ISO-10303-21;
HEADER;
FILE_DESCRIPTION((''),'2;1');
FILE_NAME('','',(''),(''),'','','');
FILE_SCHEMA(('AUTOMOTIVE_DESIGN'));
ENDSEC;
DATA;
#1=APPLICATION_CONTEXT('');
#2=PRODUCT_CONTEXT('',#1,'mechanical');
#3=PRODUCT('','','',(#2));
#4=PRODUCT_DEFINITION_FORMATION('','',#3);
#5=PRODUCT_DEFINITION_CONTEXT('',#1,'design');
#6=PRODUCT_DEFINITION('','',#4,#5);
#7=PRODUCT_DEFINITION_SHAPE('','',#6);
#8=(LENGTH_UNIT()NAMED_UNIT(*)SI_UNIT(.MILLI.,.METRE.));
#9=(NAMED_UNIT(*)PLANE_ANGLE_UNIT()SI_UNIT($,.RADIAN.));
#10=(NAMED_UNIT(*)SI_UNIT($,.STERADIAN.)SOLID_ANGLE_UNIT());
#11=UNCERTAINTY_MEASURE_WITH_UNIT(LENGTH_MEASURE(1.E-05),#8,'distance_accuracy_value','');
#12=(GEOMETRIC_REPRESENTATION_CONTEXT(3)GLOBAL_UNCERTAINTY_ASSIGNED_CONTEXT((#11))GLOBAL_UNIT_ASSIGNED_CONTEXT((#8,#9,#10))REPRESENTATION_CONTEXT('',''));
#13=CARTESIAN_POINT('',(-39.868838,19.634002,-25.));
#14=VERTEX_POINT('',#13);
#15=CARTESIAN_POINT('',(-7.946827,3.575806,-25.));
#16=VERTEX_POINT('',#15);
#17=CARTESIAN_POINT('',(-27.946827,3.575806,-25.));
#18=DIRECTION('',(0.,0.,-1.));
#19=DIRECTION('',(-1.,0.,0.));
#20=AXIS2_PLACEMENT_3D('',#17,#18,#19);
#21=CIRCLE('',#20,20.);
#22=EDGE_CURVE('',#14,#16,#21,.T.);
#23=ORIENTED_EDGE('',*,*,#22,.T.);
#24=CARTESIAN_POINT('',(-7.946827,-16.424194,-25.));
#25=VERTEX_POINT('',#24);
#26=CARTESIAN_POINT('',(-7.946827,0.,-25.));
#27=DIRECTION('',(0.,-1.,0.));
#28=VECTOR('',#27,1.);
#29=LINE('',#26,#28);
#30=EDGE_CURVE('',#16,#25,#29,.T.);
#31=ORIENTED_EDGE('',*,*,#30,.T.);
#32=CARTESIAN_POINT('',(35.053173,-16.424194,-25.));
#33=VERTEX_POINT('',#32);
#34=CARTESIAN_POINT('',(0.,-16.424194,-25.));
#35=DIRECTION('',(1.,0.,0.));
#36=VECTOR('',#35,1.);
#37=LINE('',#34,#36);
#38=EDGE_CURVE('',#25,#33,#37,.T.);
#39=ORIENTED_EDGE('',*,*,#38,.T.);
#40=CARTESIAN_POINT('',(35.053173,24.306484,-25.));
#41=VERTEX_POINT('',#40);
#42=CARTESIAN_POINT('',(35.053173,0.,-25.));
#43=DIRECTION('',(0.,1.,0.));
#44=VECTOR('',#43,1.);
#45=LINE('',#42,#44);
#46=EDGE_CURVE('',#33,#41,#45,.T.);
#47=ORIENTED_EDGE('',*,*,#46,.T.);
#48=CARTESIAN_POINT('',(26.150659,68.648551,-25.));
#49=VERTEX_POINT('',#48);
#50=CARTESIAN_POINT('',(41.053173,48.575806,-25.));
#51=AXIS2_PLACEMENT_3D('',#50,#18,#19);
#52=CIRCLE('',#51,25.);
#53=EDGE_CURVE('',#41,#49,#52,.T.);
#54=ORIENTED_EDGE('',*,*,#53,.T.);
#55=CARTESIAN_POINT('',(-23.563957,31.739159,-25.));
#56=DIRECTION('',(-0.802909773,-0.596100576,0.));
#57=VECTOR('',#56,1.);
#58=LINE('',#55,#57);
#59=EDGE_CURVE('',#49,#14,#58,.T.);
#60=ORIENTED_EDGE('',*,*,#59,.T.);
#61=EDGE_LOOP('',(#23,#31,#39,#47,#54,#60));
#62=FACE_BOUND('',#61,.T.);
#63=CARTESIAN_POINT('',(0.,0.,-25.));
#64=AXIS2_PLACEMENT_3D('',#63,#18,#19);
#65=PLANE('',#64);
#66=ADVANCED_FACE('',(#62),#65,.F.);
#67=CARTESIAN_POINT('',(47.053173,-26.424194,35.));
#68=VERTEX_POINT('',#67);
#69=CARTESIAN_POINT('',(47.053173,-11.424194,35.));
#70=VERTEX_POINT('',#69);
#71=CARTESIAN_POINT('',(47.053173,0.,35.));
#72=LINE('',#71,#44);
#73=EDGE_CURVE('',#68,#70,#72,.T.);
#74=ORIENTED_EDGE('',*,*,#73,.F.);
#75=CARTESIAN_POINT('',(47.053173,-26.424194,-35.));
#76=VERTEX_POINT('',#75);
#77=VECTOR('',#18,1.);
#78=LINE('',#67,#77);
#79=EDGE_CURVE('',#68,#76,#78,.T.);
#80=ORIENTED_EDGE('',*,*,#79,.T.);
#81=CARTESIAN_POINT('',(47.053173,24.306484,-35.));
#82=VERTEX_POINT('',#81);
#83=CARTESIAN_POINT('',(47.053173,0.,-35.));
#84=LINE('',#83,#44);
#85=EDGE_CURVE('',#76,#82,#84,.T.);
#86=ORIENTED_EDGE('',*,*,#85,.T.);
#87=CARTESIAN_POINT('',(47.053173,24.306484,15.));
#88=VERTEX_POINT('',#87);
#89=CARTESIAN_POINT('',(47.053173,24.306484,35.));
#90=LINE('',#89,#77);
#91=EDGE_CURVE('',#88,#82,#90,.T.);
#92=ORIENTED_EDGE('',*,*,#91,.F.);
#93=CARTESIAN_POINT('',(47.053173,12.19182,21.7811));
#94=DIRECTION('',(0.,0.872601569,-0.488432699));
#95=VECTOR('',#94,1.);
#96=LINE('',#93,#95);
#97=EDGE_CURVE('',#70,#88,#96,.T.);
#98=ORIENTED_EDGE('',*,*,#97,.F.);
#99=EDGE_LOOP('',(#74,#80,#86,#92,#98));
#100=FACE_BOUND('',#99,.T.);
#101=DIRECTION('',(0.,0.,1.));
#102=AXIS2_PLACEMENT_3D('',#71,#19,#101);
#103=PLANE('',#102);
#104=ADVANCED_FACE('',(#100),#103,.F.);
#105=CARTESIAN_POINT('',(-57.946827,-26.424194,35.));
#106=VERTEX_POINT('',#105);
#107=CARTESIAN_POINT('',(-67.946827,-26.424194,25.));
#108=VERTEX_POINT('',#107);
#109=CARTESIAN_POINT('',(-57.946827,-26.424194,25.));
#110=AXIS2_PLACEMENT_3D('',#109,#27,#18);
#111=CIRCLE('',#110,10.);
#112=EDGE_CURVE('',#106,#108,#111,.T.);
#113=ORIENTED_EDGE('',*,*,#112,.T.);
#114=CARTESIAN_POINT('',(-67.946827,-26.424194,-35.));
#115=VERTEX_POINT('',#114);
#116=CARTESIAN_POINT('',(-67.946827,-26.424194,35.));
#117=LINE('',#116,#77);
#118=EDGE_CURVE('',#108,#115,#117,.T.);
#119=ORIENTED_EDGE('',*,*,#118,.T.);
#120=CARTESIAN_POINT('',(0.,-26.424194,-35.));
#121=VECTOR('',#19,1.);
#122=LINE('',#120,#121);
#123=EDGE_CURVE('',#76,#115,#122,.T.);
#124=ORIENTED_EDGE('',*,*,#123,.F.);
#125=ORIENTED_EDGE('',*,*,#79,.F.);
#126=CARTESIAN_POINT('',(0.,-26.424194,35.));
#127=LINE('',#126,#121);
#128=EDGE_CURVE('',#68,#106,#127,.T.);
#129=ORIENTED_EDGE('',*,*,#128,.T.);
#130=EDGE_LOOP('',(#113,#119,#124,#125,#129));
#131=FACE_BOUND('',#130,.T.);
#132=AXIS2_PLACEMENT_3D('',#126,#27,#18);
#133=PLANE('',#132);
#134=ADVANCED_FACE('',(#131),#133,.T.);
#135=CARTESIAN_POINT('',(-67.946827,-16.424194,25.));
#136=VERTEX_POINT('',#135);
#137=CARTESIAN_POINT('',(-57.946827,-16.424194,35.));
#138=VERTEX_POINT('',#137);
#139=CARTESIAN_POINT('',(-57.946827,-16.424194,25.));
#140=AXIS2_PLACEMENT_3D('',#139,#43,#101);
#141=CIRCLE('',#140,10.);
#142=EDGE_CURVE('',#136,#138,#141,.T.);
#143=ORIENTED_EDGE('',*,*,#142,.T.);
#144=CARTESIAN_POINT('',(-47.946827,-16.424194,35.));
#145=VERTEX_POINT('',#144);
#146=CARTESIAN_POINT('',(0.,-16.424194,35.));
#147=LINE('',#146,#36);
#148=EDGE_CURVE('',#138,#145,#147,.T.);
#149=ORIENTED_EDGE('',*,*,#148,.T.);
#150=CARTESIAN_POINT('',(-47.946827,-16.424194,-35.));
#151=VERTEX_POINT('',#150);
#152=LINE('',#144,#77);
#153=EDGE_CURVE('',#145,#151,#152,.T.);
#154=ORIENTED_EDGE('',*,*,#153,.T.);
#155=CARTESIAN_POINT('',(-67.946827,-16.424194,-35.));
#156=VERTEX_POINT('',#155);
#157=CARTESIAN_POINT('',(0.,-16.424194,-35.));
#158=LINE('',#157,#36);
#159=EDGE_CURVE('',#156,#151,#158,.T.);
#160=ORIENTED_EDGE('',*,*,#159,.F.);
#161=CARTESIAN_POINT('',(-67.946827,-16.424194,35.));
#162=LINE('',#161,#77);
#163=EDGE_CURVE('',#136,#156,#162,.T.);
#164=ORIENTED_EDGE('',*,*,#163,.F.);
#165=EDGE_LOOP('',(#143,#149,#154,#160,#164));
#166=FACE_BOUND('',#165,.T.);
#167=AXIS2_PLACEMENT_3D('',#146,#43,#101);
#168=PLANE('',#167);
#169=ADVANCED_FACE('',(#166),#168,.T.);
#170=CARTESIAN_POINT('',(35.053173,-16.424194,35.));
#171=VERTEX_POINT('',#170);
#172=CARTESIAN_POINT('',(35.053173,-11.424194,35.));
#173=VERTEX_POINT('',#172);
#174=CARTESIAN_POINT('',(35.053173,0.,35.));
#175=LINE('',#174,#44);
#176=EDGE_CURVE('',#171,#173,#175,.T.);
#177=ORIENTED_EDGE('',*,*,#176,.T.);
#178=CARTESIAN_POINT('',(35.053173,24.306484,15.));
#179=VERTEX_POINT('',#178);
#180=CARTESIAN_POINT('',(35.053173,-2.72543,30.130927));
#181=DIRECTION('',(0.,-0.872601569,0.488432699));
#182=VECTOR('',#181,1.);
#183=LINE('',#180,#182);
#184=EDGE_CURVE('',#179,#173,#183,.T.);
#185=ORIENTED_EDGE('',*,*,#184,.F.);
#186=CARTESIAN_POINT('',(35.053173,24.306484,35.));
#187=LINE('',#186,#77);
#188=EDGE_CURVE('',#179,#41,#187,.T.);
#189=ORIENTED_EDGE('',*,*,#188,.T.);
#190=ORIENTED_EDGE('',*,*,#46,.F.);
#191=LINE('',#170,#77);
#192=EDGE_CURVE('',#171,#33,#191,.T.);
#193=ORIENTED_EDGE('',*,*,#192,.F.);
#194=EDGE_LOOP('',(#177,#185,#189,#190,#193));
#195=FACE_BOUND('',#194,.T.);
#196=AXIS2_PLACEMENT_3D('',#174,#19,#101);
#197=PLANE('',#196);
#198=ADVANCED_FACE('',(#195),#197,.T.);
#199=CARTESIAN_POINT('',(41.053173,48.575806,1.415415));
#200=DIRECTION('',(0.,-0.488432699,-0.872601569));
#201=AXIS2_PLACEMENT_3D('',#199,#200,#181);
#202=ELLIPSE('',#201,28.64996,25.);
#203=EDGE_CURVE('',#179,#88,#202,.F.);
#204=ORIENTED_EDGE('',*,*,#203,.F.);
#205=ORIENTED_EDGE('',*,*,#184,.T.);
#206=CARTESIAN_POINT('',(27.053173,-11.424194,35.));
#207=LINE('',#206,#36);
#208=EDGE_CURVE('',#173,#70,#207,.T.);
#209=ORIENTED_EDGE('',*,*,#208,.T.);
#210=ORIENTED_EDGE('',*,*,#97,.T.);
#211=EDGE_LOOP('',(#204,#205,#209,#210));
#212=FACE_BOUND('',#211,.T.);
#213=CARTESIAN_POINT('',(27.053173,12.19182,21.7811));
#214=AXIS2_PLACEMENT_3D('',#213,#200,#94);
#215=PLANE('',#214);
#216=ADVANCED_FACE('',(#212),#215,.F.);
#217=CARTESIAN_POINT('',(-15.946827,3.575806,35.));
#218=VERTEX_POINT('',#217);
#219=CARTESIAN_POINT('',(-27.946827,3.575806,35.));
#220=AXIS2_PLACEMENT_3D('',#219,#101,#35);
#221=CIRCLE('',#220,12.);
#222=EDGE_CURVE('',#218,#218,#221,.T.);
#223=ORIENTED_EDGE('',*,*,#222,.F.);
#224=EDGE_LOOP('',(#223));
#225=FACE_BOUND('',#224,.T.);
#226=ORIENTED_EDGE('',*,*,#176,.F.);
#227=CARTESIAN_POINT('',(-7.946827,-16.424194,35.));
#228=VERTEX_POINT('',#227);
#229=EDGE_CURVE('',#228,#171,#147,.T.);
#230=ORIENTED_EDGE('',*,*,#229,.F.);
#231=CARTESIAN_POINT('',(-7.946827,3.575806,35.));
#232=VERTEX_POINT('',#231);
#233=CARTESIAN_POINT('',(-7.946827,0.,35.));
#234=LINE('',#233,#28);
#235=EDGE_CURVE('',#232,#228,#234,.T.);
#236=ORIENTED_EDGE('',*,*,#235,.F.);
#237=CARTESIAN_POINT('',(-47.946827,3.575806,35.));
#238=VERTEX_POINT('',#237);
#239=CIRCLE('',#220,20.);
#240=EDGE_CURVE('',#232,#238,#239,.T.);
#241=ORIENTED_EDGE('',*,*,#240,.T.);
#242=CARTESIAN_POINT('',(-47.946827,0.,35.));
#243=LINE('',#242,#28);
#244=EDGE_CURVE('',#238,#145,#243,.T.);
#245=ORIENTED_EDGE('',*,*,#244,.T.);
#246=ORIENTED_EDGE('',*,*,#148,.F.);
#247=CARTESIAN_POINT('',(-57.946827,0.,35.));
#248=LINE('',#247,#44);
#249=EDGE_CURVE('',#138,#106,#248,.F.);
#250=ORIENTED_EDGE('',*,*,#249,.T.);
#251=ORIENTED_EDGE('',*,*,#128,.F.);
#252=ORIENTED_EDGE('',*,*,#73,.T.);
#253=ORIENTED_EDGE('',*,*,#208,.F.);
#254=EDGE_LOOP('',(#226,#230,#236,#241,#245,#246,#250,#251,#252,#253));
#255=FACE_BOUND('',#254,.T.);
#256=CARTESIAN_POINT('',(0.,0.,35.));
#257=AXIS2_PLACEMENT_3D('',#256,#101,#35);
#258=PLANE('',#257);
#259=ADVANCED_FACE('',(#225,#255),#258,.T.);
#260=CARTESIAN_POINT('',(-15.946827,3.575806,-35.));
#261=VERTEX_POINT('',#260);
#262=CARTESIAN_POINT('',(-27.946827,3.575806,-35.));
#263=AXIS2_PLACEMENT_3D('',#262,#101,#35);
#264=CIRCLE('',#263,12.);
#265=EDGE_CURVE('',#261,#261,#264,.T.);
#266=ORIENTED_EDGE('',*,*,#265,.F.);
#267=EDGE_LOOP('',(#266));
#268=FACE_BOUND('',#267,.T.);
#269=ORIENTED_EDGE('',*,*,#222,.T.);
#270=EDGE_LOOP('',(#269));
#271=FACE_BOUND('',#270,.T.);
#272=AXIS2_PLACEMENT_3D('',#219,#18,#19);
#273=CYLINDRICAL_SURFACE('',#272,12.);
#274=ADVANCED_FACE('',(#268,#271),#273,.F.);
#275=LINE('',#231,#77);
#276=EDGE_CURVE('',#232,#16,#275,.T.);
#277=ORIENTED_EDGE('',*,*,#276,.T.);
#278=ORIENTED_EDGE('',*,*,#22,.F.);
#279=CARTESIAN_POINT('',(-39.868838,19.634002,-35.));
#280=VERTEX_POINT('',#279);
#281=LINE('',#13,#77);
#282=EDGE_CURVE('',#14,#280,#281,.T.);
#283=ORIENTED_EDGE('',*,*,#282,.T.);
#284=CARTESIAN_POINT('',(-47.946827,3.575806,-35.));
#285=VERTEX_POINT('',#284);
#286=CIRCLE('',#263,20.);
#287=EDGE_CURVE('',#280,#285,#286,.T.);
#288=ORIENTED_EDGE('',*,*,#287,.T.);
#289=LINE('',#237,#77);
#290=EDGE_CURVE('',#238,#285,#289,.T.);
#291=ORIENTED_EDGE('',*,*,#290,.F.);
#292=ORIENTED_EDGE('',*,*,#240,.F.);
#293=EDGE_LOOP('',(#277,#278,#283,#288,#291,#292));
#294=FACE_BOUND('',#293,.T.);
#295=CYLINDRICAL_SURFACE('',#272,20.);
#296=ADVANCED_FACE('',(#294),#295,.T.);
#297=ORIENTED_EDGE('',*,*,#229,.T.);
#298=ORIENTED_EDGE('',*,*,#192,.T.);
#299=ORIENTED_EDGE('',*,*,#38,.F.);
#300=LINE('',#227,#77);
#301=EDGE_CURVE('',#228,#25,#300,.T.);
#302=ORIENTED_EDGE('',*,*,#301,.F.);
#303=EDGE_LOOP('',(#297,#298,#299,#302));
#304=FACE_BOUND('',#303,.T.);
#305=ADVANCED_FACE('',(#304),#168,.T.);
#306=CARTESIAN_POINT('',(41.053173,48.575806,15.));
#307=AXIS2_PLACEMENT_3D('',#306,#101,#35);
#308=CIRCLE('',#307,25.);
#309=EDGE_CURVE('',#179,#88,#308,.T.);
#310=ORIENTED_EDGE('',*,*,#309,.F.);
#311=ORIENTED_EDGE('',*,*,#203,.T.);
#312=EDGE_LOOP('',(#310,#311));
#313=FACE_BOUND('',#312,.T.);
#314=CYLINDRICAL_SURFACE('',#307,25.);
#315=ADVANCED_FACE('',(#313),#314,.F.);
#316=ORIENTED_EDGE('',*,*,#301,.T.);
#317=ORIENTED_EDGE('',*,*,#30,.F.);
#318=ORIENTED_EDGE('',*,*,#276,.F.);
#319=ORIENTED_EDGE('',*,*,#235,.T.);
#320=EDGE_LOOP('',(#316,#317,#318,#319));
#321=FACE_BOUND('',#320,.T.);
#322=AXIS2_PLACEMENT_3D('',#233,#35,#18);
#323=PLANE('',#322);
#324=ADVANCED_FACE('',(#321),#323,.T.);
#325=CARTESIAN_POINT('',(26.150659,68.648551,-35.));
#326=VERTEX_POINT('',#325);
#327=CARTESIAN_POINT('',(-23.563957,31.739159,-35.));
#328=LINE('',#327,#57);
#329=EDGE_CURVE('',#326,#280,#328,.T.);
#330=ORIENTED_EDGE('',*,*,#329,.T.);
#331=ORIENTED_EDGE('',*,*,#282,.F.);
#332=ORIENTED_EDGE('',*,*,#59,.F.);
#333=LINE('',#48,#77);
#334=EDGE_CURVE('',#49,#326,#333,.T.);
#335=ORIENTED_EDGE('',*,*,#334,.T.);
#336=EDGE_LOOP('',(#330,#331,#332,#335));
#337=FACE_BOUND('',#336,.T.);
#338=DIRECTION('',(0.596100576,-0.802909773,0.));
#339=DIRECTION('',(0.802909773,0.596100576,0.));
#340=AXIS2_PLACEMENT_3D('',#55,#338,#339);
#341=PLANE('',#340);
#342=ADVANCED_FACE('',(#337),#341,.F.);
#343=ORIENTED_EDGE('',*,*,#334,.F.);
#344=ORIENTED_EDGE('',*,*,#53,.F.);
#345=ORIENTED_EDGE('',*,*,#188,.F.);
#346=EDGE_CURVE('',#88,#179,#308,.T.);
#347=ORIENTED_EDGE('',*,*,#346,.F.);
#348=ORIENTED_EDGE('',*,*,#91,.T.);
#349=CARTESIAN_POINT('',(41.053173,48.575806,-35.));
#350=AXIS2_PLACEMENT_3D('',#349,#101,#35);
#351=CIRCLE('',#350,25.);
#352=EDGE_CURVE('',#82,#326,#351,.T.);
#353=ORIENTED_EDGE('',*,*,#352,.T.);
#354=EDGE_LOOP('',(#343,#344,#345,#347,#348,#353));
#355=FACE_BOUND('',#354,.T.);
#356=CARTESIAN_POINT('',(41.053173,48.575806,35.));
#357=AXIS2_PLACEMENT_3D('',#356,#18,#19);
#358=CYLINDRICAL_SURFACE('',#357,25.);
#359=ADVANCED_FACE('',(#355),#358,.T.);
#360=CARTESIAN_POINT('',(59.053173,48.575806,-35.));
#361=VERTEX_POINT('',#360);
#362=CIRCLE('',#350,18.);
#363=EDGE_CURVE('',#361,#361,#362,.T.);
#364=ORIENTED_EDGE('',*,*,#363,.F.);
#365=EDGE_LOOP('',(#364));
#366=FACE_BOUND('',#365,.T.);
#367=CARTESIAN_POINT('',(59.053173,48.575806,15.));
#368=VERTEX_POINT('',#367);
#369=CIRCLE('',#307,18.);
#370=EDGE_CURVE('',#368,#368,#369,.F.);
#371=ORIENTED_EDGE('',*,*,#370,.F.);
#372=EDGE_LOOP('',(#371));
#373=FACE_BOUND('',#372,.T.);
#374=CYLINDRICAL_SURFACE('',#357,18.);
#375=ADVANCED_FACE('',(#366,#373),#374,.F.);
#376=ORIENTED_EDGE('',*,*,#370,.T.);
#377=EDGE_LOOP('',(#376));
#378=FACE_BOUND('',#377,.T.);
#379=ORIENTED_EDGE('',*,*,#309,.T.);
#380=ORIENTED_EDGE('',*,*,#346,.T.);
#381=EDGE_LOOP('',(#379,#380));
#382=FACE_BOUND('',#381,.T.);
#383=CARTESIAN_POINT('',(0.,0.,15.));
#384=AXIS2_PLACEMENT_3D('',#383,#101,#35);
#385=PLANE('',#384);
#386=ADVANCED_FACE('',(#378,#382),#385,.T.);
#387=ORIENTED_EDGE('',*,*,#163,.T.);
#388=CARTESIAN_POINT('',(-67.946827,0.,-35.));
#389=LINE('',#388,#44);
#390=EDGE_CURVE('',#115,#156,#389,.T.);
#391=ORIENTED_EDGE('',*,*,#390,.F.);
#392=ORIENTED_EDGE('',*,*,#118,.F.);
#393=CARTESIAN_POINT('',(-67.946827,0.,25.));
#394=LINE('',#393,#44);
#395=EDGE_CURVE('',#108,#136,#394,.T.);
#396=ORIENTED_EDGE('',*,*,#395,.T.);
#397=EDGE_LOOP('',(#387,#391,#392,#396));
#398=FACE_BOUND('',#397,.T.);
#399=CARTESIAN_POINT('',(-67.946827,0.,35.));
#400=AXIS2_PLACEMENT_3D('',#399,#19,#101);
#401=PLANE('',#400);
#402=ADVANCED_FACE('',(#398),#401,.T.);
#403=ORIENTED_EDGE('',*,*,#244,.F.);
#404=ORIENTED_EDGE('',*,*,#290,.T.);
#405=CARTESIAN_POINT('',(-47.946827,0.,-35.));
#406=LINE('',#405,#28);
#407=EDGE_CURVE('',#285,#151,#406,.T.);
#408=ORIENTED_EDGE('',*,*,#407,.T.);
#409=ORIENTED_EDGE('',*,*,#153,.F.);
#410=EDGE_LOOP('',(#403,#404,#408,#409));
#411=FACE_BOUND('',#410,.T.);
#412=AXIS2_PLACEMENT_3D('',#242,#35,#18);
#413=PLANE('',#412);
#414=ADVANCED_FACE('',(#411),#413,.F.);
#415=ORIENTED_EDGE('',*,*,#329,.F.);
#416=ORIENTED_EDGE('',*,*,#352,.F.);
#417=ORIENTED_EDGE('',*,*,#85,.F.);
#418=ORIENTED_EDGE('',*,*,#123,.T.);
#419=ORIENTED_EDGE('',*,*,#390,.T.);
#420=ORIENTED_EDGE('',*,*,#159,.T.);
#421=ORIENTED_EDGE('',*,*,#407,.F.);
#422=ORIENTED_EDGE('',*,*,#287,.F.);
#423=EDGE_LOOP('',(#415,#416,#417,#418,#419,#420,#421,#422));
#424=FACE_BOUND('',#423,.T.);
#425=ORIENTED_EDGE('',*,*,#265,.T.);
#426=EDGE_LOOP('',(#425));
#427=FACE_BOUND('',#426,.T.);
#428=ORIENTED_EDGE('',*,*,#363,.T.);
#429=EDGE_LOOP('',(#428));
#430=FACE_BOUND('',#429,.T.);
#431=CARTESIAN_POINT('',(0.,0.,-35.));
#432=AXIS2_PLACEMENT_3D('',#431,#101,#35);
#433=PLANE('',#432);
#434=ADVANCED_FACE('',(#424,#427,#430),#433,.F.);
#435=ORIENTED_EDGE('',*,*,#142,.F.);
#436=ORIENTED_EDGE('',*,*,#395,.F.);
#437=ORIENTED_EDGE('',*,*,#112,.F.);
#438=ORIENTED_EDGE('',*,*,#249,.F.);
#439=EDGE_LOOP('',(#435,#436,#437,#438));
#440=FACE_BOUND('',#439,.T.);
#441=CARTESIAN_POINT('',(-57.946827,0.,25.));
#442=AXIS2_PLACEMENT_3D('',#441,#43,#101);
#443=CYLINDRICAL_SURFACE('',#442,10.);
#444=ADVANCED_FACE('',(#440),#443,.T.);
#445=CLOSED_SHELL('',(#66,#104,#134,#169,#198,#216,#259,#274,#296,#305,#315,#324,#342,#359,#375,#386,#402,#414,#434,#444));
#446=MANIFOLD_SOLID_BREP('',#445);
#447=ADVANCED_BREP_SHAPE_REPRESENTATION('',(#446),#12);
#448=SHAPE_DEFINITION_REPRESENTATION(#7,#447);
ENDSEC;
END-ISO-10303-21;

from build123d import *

# Parameters (mm, degrees)
SKETCH2_R           = 12
SKETCH2_R_2         = 18
BOSS_EXTRUDE2_DEPTH = 35
BOSS_EXTRUDE5_START = 10
BOSS_EXTRUDE5_DEPTH = 10
FILLET2_R           = 10
SKETCH4_R           = 18
CUT_EXTRUDE1_DEPTH  = 20
CUT_EXTRUDE4_DEPTH  = 20


with BuildPart() as part:
    # Sketch2 → Boss-Extrude2 (new, symmetric)
    with BuildSketch(Plane.XY):
        with BuildLine():
            Line((47.053173242, -26.424193548), (47.053173242, 24.306484253))
            ThreePointArc((47.053173242, 24.306484253), (41.053173242, 73.575806452), (35.053173242, 24.306484253))
            Line((35.053173242, 24.306484253), (35.053173242, -16.424193548))
            Line((35.053173242, -16.424193548), (-7.946826758, -16.424193548))
            Line((-7.946826758, -16.424193548), (-7.946826758, 3.575806452))
            ThreePointArc((-7.946826758, 3.575806452), (-27.946826758, 23.575806452), (-47.946826758, 3.575806452))
            Line((-47.946826758, 3.575806452), (-47.946826758, -16.424193548))
            Line((-47.946826758, -16.424193548), (-67.946826758, -16.424193548))
            Line((-67.946826758, -16.424193548), (-67.946826758, -26.424193548))
            Line((-67.946826758, -26.424193548), (47.053173242, -26.424193548))
        make_face()
        with Locations((-27.946826758, 3.575806452)):
            Circle(SKETCH2_R, mode=Mode.SUBTRACT)
        with Locations((41.053173242, 48.575806452)):
            Circle(SKETCH2_R_2, mode=Mode.SUBTRACT)
    extrude(amount=BOSS_EXTRUDE2_DEPTH, both=True)

    # Sketch3 → Boss-Extrude5 (add)
    with BuildSketch(Plane.XY.offset(-35).offset(BOSS_EXTRUDE5_START)):
        with BuildLine():
            ThreePointArc((35.053173242, 24.306484253), (16.542288051, 43.654779406), (26.150658834, 68.648550766))
            Line((26.150658834, 68.648550766), (-39.868838285, 19.634001903))
            ThreePointArc((-39.868838285, 19.634001903), (-18.959063703, 21.442538533), (-7.946826758, 3.575806452))
            Line((-7.946826758, 3.575806452), (-7.946826758, -16.424193548))
            Line((-7.946826758, -16.424193548), (35.053173242, -16.424193548))
            Line((35.053173242, -16.424193548), (35.053173242, 24.306484253))
        make_face()
    extrude(amount=-BOSS_EXTRUDE5_DEPTH)

    # Fillet2
    fillet2_edges = [part.edges().sort_by_distance(p)[0] for p in [
        (-67.946826758, -21.424193548, 35),
    ]]
    fillet(fillet2_edges, radius=FILLET2_R)

    # Sketch4 → Cut-Extrude1 (cut)
    with BuildSketch(Plane.XY.offset(35)):
        with BuildLine():
            ThreePointArc((35.053173242, 24.306484253), (41.053173242, 23.575806452), (47.053173242, 24.306484253))
            ThreePointArc((47.053173242, 24.306484253), (60.738192927, 33.164771444), (66.053173242, 48.575806452))
            ThreePointArc((66.053173242, 48.575806452), (25.642138234, 68.260826137), (35.053173242, 24.306484253))
        make_face()
        with Locations((41.053173242, 48.575806452)):
            Circle(SKETCH4_R, mode=Mode.SUBTRACT)
    extrude(amount=-CUT_EXTRUDE1_DEPTH, mode=Mode.SUBTRACT)

    # Sketch5 → Cut-Extrude4 (cut)
    with BuildSketch(Plane(origin=(47.053173242, 0, 0), x_dir=(0, 0, -1), z_dir=(1, 0, 0))):
        Polygon((-35, 24.306484253), (-35, -11.424193548), (-15, 24.306484253), align=None)
    extrude(amount=-CUT_EXTRUDE4_DEPTH, mode=Mode.SUBTRACT)


solid = part.part
